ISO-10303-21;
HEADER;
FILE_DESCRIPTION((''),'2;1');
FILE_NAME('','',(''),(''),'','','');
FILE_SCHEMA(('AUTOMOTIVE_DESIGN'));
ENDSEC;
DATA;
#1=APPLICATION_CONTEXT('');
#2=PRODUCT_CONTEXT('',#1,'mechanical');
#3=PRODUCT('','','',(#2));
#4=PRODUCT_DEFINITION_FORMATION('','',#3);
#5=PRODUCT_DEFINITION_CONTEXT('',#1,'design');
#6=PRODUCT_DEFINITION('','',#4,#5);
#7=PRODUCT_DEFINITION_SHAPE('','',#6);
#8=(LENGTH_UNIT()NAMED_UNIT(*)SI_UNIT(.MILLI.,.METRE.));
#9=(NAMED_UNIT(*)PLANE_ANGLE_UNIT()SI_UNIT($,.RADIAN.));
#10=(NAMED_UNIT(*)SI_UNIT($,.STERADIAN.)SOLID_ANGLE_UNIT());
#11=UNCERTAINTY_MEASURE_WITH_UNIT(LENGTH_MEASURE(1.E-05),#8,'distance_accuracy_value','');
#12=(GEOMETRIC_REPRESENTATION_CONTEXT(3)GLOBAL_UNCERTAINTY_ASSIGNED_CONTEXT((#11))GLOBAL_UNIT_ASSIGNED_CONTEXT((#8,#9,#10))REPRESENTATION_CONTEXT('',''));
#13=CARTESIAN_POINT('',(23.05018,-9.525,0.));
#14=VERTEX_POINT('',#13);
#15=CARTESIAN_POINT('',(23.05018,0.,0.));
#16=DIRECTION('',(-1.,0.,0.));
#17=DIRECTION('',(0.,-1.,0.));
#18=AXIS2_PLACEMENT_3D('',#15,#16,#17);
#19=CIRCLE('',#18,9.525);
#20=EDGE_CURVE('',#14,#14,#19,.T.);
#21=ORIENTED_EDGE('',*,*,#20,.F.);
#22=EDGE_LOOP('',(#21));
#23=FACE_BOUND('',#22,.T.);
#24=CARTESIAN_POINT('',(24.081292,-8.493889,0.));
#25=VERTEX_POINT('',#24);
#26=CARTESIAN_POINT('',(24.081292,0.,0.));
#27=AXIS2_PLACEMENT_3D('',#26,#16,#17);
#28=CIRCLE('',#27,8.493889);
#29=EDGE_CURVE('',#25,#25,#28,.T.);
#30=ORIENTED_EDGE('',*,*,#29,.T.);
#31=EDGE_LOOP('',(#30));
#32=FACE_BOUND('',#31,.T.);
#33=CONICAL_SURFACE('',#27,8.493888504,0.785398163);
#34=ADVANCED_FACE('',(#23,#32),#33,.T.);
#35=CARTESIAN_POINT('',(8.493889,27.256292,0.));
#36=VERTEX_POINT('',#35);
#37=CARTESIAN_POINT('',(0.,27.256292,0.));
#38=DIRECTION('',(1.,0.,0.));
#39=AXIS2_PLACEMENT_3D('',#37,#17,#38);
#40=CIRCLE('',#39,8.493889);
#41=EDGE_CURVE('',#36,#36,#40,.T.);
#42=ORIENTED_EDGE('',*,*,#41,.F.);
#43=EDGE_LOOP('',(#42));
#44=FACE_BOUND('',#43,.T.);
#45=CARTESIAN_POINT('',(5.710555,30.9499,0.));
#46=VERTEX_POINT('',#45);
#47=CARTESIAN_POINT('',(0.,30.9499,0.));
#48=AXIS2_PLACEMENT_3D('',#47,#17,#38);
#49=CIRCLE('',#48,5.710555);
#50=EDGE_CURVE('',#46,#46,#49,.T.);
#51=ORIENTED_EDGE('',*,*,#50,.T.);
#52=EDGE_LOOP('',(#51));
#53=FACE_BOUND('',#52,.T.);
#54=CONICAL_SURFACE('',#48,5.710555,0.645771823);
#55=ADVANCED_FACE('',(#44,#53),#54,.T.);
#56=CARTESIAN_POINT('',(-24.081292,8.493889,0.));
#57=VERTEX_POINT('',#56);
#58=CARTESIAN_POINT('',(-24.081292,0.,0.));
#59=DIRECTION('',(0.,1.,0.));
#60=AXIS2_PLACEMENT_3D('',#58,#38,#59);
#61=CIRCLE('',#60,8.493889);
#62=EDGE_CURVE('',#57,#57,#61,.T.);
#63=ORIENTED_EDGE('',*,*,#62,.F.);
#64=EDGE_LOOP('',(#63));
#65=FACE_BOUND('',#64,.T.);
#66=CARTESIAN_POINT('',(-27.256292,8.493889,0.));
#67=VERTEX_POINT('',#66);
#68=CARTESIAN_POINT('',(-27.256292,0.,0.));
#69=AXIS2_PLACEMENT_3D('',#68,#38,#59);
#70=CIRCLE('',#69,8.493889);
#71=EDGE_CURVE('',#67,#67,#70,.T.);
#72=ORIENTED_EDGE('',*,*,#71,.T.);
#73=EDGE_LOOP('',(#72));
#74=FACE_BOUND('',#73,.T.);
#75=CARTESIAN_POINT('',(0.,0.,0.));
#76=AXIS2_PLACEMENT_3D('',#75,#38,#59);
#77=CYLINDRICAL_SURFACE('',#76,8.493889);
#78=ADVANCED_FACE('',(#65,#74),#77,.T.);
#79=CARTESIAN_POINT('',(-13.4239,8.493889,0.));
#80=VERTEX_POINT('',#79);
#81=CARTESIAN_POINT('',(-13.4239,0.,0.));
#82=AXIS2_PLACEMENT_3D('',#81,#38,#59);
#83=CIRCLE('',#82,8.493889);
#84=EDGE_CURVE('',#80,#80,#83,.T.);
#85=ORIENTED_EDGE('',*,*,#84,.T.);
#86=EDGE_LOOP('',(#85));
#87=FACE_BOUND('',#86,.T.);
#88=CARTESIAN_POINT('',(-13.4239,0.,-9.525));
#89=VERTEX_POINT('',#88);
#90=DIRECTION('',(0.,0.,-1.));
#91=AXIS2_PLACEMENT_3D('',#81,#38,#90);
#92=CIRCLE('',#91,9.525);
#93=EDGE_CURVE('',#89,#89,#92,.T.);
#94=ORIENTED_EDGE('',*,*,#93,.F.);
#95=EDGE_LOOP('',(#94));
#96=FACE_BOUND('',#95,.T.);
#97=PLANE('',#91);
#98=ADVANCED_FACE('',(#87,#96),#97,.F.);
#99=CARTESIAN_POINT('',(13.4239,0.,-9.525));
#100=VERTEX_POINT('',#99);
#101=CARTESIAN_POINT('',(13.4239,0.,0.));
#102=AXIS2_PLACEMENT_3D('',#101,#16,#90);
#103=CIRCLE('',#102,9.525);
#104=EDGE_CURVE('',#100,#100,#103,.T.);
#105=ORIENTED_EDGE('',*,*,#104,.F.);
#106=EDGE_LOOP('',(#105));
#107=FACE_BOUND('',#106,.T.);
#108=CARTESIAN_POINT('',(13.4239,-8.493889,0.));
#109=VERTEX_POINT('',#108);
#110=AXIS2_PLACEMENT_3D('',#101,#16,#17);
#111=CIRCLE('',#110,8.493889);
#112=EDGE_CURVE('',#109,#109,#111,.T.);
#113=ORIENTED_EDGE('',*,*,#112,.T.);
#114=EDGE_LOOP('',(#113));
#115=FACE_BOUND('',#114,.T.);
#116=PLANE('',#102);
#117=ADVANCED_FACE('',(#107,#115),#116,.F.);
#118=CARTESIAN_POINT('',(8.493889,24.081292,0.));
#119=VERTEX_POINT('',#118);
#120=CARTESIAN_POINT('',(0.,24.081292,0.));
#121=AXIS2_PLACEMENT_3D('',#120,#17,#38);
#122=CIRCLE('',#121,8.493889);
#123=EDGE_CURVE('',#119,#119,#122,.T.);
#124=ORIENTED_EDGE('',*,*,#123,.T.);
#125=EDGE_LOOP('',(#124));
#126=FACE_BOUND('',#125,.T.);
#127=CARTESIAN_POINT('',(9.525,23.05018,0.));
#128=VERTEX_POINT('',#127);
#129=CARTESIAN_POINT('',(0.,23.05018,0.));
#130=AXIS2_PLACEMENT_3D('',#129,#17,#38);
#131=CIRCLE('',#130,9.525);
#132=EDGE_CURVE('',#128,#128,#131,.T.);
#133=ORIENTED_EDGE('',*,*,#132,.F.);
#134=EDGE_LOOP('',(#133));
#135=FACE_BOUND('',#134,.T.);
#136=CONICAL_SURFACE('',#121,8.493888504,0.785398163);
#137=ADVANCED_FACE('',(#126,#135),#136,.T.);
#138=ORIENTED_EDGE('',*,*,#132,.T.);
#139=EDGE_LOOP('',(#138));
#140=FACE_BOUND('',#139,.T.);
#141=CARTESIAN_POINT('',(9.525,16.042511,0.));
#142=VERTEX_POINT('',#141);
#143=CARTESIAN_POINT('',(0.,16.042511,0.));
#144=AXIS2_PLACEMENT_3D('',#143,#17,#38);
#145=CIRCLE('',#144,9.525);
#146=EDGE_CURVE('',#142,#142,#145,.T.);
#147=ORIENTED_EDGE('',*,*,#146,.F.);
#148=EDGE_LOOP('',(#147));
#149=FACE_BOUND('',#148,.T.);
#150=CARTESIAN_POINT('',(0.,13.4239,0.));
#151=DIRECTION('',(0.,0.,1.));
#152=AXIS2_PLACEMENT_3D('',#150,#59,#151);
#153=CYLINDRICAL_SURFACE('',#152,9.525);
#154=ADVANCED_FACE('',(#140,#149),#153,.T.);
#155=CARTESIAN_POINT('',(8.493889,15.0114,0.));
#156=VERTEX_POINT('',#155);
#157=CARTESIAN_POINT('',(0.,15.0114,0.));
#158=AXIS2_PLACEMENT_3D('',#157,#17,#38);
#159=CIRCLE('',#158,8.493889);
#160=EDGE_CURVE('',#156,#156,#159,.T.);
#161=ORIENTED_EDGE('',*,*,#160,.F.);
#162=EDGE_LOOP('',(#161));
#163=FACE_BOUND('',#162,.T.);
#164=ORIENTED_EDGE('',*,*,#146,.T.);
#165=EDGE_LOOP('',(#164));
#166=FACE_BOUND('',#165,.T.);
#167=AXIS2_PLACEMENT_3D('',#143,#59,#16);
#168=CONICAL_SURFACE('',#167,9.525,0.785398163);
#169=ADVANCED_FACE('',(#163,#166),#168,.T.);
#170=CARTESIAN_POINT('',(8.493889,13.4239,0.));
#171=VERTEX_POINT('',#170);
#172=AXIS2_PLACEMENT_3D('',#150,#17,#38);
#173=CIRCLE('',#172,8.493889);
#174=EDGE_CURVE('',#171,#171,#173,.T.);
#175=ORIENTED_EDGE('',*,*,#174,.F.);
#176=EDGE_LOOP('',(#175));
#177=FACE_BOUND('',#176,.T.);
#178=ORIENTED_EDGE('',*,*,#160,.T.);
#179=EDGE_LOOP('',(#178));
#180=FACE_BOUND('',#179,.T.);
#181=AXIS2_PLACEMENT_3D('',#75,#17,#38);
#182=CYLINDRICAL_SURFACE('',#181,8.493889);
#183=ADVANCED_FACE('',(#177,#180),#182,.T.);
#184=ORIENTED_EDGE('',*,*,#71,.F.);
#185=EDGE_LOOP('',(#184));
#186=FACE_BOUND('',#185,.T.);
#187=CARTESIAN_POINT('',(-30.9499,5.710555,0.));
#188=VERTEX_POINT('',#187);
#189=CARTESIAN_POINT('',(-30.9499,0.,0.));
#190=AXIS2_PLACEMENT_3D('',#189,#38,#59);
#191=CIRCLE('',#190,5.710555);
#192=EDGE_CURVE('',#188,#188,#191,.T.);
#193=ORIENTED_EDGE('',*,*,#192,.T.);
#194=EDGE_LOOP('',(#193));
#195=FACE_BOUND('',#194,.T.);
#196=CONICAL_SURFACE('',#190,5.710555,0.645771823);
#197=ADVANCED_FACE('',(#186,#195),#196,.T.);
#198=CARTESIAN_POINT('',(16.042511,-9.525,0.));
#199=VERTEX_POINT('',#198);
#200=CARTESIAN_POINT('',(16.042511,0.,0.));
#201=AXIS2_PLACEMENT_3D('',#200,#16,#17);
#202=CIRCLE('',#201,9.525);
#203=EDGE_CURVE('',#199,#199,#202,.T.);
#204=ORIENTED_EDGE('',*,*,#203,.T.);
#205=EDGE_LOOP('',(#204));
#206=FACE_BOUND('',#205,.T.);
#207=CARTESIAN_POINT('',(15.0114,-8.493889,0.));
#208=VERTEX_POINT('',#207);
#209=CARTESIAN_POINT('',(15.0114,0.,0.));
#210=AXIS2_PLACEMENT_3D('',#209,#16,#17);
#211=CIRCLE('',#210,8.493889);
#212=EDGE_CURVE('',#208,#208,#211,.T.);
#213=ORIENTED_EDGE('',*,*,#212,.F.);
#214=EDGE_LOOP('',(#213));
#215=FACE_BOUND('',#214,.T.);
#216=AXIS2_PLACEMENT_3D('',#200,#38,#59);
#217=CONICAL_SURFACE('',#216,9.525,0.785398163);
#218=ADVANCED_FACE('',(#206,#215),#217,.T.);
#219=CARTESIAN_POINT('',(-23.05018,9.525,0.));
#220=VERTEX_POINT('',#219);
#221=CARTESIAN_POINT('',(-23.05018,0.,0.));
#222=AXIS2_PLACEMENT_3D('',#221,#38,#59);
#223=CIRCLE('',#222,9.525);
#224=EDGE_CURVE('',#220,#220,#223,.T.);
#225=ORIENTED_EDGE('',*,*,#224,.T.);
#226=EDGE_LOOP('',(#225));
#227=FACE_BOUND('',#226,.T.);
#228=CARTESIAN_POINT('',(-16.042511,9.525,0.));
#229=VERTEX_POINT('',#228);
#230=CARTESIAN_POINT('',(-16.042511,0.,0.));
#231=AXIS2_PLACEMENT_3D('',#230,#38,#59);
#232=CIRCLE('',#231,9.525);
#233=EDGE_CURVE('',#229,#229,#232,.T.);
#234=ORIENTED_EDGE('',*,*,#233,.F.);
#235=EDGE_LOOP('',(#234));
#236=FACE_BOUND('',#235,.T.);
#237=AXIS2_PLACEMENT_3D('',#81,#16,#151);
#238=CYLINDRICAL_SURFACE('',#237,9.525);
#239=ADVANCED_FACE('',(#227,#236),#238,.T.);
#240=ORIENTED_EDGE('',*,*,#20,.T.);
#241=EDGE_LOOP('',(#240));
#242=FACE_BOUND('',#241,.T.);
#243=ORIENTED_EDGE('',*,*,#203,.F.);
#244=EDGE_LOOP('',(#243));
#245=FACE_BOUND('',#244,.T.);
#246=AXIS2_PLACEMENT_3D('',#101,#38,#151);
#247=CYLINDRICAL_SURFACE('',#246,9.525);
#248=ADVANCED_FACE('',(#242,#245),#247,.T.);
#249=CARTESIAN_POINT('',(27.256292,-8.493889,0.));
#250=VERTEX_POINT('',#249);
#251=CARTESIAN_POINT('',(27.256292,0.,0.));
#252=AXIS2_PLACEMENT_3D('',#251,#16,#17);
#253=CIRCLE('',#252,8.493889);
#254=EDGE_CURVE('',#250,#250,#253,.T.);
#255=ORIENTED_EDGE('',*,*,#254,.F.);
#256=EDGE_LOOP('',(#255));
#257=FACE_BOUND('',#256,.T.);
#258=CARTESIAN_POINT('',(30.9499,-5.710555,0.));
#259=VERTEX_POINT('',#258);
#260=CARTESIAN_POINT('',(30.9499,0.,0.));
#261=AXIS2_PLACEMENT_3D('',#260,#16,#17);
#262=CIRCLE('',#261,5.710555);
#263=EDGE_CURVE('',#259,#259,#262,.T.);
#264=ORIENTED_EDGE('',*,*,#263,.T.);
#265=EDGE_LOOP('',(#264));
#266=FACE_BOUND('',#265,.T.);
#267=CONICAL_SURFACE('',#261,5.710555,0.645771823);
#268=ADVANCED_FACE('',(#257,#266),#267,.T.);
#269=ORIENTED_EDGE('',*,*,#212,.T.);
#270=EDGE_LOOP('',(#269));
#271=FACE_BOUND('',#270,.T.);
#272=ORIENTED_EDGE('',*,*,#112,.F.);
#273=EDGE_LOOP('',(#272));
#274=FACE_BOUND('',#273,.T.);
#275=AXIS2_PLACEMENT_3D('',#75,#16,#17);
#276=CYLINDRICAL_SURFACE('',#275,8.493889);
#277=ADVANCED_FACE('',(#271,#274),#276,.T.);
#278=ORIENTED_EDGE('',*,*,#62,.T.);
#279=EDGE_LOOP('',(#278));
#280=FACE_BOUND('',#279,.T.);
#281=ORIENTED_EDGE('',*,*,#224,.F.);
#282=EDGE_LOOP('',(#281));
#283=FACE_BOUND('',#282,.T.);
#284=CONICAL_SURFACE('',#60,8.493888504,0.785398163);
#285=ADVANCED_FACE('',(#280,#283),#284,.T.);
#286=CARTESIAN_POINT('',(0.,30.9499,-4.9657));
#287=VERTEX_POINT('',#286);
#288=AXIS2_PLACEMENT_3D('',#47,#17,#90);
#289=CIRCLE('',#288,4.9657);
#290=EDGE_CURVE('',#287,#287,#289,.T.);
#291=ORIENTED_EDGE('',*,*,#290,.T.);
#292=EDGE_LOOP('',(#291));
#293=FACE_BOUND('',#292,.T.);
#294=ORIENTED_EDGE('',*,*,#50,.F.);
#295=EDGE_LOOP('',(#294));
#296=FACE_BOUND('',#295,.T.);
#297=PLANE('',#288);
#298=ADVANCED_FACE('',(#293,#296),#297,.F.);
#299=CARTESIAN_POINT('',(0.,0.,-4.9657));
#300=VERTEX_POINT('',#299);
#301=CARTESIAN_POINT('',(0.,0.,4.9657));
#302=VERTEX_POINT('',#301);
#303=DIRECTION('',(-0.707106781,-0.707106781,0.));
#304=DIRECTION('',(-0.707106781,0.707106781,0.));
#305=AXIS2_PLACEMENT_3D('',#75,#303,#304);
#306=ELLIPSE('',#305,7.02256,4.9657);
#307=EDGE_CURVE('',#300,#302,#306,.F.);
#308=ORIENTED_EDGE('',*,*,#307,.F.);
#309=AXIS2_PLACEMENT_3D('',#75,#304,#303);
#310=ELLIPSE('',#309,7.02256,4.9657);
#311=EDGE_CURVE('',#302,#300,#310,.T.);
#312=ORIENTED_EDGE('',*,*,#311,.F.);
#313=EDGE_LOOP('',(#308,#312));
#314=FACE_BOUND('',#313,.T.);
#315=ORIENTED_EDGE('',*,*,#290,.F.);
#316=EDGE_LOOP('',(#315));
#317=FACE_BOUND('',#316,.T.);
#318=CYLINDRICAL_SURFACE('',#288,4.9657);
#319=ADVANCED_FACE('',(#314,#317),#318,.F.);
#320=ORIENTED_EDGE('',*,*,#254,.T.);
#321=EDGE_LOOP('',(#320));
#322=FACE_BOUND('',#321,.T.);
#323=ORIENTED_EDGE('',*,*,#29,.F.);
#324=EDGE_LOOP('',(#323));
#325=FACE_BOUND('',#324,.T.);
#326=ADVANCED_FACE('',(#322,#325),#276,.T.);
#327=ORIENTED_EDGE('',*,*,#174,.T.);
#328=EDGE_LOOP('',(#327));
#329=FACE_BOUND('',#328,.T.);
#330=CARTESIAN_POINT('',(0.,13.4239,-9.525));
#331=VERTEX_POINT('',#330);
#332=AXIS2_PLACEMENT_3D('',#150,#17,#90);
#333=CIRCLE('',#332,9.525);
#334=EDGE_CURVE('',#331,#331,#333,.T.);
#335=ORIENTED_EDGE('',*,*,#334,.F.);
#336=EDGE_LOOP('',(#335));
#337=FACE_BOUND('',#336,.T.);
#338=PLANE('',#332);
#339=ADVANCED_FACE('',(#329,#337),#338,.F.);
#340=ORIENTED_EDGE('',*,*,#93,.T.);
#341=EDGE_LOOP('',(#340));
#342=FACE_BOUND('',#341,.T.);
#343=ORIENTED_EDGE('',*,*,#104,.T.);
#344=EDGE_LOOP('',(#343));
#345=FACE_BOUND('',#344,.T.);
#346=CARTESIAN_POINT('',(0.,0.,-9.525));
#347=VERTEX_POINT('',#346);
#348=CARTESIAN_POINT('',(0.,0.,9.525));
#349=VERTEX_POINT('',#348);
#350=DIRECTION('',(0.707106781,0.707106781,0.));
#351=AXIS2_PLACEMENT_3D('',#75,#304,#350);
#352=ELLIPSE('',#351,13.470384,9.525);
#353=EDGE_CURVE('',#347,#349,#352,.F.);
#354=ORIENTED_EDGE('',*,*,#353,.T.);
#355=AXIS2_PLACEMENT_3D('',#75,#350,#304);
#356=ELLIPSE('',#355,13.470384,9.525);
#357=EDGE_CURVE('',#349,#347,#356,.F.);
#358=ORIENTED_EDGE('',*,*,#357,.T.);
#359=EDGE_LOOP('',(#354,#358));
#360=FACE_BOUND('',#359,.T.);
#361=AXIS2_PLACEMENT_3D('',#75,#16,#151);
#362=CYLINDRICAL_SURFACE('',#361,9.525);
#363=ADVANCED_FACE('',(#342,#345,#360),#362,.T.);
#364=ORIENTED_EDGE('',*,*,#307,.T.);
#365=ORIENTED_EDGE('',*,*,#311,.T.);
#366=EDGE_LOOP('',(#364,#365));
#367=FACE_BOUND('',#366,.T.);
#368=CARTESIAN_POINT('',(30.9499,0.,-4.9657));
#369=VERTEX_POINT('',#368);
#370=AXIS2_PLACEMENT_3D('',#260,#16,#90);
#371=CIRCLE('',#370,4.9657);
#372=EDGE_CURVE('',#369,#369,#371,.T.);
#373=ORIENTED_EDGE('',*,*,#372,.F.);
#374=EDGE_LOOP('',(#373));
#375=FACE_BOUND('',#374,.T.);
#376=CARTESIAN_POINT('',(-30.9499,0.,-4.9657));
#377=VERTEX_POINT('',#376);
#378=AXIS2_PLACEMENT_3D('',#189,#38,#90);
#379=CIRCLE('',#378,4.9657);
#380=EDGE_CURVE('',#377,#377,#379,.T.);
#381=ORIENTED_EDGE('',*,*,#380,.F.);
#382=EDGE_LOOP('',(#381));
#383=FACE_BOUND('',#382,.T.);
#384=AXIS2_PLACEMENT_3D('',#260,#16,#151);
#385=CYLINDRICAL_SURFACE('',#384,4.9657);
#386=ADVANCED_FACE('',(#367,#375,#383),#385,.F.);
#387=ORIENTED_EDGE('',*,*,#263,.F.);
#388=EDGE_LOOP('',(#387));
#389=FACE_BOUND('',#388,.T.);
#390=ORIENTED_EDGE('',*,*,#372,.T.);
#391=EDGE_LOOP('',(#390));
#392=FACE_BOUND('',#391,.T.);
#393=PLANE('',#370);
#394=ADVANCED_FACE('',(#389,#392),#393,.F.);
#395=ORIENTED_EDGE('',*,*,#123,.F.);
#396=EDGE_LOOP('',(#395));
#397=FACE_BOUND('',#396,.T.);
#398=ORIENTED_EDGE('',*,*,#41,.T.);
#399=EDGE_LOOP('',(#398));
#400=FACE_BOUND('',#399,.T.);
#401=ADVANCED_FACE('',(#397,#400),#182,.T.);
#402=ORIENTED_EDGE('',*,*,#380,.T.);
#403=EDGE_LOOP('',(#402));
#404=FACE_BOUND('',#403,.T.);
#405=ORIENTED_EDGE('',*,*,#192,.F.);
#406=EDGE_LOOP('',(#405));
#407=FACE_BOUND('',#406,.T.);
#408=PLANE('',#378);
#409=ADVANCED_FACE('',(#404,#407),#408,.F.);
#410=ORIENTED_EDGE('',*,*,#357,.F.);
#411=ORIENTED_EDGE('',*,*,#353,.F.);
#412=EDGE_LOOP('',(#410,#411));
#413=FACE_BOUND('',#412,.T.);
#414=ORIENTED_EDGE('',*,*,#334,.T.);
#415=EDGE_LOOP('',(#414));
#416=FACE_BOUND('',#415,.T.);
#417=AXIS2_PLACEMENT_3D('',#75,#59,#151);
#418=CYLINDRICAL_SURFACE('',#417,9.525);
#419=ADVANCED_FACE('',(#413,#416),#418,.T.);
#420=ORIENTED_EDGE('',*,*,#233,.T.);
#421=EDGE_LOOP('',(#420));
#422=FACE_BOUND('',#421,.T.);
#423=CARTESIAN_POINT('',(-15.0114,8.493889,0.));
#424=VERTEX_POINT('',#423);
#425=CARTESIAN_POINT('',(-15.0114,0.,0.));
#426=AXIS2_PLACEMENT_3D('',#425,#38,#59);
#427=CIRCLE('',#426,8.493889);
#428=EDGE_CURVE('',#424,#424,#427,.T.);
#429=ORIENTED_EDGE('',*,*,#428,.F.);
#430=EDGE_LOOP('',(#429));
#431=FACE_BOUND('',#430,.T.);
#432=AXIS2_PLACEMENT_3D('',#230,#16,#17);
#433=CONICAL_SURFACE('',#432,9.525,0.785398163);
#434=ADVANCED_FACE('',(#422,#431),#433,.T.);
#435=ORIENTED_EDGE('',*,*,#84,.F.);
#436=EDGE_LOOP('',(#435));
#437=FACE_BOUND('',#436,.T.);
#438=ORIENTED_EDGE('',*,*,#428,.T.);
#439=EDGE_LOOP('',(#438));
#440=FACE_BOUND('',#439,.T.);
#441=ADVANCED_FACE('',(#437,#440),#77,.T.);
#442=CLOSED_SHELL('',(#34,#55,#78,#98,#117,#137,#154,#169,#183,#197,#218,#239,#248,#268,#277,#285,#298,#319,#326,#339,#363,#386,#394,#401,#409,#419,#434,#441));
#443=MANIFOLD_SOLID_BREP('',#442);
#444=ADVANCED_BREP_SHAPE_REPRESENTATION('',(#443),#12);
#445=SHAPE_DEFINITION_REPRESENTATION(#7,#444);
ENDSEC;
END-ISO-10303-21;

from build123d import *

# Parameters (mm, degrees)
SKETCH2_R           = 9.525
EXTRUDE1_DEPTH      = 17.526
SKETCH15_R          = 9.525
BOSS_EXTRUDE1_DEPTH = 13.4239
SKETCH16_R          = 4.9657
CUT_EXTRUDE1_DEPTH  = 34.754222847
CIRPATTERN1_COUNT   = 3
CIRPATTERN1_ANGLE   = 180
SKETCH17_R          = 4.9657
CUT_EXTRUDE2_DEPTH  = 70.858479622
CUT_EXTRUDE3_REACH  = 53.835
SKETCH18_R          = 4.9657


with BuildPart() as part:
    # Sketch2 → Extrude1 (new body)
    with BuildSketch(Plane(origin=(-30.9499, 0, 0), x_dir=(0, 0, -1), z_dir=(1, 0, 0))):
        Circle(SKETCH2_R)
    extrude(amount=EXTRUDE1_DEPTH)

    # Sketch5 → Cut-Revolve1 (revolve, cut)
    with BuildSketch(Plane.XY):
        Polygon((-27.256291687, 8.493888504), (-24.081291687, 8.493888504), (-23.050180191, 9.525), (-30.9499, 9.525), (-30.9499, 5.710555), align=None)
        Polygon((-13.4239, 8.493888504), (-15.0114, 8.493888504), (-16.042511496, 9.525), (-13.4239, 9.525), align=None)
    revolve(axis=Axis((0, 0, 0), (-1, 0, 0)), mode=Mode.SUBTRACT)

    # Sketch15 → Boss-Extrude1 (add)
    with BuildSketch(Plane(origin=(-13.4239, 0, 0), x_dir=(0, 0, -1), z_dir=(1, 0, 0))):
        with Locations(Location((0, 0, 0), (0, 0, 90))):
            Circle(SKETCH15_R)
    extrude(amount=BOSS_EXTRUDE1_DEPTH)

    # Sketch16 → Cut-Extrude1 (cut, through all)
    with BuildSketch(Plane(origin=(0, 0, 0), x_dir=(0, 0, -1), z_dir=(1, 0, 0))):
        Circle(SKETCH16_R)
    extrude(amount=-CUT_EXTRUDE1_DEPTH, mode=Mode.SUBTRACT)


with BuildPart() as cirpattern1_1:
    # CirPattern1: pattern copy
    add(part.part.rotate(Axis((0, 0, 0), (0, 0, -1)), 1 * CIRPATTERN1_ANGLE / (CIRPATTERN1_COUNT - 1)))

    # Sketch17 → Cut-Extrude2 (cut, through all)
    with BuildSketch(Plane.ZY.offset(30.9499)):
        with Locations(Location((0, 0, 0), (0, 0, 180))):
            Circle(SKETCH17_R)
    extrude(amount=-CUT_EXTRUDE2_DEPTH, mode=Mode.SUBTRACT)


with BuildPart() as cirpattern1_2:
    # CirPattern1: pattern copy
    add(part.part.rotate(Axis((0, 0, 0), (0, 0, -1)), 2 * CIRPATTERN1_ANGLE / (CIRPATTERN1_COUNT - 1)))


with BuildPart() as cirpattern1_1_1:
    add(cirpattern1_1.part)

    # Combine1: union part, CirPattern1_2
    add(part.part)
    add(cirpattern1_2.part)

    # Sketch18 → Cut-Extrude3 (cut, up to next)
    with BuildSketch(Plane(origin=(0, 30.9499, 0), x_dir=(1, 0, 0), z_dir=(0, 1, 0)), mode=Mode.PRIVATE) as cut_extrude3_sk1:
        with Locations(Location((0, 0, 0), (0, 0, 90))):
            Circle(SKETCH18_R)
    cut_extrude3_tool1 = extrude(cut_extrude3_sk1.sketch, amount=-CUT_EXTRUDE3_REACH, mode=Mode.PRIVATE) & cirpattern1_1_1.part
    add(cut_extrude3_tool1.solids().sort_by_distance((0, 30.9499, 0))[0], mode=Mode.SUBTRACT)


solid = cirpattern1_1_1.part
